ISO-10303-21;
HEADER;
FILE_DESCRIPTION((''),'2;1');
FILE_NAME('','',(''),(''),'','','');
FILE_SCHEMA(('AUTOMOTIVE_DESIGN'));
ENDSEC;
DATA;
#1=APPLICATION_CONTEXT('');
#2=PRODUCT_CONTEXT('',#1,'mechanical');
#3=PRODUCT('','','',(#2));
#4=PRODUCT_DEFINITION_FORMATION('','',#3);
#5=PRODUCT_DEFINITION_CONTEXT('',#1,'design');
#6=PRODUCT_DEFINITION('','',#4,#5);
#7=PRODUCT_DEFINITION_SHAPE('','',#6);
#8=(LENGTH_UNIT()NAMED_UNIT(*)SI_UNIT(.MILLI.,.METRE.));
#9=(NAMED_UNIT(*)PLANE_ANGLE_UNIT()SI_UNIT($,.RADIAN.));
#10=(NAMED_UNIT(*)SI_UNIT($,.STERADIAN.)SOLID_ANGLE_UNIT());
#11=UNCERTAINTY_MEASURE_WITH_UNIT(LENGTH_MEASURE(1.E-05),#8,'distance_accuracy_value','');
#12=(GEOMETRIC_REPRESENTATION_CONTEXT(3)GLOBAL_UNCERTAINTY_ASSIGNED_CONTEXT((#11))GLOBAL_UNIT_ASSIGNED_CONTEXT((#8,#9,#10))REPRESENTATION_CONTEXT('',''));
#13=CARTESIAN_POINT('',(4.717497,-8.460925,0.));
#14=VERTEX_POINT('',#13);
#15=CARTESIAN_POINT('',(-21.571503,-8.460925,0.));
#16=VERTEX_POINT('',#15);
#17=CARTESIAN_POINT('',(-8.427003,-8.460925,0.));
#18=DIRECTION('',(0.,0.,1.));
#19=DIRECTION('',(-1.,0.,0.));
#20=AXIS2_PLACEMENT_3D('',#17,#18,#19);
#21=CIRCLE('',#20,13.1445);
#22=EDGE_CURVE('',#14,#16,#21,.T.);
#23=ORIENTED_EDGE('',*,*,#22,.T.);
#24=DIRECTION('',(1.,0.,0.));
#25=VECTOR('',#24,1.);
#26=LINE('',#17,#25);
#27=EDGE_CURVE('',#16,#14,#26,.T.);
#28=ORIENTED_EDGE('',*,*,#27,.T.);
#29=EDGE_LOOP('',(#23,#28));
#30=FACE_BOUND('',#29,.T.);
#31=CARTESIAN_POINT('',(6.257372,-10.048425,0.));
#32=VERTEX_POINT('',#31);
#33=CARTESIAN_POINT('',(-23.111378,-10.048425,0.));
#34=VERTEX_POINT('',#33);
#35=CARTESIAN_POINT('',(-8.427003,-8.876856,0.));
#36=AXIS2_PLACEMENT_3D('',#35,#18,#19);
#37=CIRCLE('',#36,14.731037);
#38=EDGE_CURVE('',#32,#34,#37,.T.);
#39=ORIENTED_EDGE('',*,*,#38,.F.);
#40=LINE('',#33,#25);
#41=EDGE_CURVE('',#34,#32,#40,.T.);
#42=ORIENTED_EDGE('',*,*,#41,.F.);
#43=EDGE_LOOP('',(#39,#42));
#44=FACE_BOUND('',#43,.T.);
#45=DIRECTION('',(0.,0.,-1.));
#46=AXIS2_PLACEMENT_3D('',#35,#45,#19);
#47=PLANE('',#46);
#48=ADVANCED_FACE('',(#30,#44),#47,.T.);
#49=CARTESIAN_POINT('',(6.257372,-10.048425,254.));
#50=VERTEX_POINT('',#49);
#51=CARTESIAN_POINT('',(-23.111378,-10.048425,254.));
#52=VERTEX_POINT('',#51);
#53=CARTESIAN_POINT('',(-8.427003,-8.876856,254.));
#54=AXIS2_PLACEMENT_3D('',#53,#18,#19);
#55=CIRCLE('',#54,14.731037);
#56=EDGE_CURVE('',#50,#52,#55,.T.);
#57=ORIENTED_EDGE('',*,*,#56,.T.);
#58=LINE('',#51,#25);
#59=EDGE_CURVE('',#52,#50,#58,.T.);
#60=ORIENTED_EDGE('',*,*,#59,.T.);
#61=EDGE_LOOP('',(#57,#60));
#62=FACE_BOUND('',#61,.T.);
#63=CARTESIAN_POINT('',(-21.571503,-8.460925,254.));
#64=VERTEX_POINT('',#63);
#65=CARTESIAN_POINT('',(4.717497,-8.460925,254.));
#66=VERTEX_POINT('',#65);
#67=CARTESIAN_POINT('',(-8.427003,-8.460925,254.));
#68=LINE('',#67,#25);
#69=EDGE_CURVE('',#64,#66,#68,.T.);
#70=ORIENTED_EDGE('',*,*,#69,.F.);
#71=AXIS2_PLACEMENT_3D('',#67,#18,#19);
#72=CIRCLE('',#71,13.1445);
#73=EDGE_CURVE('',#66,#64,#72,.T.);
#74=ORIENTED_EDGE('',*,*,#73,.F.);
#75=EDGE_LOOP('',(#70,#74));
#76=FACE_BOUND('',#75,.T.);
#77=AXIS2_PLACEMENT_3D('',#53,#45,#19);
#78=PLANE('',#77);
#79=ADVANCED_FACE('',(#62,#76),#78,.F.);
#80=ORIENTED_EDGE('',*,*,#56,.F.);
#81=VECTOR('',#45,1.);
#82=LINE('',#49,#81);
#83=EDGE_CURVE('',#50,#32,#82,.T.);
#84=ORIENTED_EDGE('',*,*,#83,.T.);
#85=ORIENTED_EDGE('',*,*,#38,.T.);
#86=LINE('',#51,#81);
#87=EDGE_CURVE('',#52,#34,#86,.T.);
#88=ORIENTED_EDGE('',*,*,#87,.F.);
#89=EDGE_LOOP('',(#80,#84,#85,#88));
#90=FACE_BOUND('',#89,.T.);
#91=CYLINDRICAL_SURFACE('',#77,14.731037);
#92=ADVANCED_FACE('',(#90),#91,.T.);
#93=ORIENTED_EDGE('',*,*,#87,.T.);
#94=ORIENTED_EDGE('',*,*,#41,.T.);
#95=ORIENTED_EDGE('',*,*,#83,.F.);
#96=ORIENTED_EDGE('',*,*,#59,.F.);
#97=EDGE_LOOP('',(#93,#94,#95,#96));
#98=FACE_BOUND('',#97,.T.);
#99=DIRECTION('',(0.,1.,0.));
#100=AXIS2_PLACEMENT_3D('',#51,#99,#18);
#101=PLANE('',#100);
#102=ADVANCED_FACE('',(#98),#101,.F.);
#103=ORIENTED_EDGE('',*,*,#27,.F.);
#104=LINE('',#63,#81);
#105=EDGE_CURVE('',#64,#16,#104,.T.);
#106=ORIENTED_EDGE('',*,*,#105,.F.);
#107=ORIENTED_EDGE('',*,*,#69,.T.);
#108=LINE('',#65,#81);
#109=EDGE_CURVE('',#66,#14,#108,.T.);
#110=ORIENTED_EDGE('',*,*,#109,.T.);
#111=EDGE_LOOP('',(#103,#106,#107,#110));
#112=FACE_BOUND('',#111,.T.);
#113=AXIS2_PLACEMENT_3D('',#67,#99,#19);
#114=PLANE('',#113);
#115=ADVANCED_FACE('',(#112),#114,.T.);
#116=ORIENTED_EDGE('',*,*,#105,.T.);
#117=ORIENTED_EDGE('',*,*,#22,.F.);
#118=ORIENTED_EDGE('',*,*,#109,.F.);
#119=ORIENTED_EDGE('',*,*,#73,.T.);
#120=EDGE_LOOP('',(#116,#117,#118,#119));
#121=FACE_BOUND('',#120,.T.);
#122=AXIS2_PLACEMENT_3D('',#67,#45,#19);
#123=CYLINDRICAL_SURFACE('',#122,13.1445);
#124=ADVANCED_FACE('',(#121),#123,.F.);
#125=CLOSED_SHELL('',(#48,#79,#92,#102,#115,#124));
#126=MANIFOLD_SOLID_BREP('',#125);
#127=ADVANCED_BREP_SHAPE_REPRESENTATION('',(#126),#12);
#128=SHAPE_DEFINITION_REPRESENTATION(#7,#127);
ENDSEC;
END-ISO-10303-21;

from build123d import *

# Parameters (mm, degrees)
BOSS_EXTRUDE2_DEPTH = 254


with BuildPart() as part:
    # Sketch1 → Boss-Extrude2 (new body)
    with BuildSketch(Plane.XY):
        with BuildLine():
            Line((-23.111377793, -10.048425127), (6.257372207, -10.048425127))
            ThreePointArc((6.257372207, -10.048425127), (-8.427002793, 5.85418124), (-23.111377793, -10.048425127))
        make_face()
        with BuildLine():
            Line((-8.427002793, -8.460925127), (-21.571502793, -8.460925127))
            ThreePointArc((-21.571502793, -8.460925127), (-8.427002793, 4.683574873), (4.717497207, -8.460925127))
            Line((4.717497207, -8.460925127), (-8.427002793, -8.460925127))
        make_face(mode=Mode.SUBTRACT)
    extrude(amount=BOSS_EXTRUDE2_DEPTH)


solid = part.part
